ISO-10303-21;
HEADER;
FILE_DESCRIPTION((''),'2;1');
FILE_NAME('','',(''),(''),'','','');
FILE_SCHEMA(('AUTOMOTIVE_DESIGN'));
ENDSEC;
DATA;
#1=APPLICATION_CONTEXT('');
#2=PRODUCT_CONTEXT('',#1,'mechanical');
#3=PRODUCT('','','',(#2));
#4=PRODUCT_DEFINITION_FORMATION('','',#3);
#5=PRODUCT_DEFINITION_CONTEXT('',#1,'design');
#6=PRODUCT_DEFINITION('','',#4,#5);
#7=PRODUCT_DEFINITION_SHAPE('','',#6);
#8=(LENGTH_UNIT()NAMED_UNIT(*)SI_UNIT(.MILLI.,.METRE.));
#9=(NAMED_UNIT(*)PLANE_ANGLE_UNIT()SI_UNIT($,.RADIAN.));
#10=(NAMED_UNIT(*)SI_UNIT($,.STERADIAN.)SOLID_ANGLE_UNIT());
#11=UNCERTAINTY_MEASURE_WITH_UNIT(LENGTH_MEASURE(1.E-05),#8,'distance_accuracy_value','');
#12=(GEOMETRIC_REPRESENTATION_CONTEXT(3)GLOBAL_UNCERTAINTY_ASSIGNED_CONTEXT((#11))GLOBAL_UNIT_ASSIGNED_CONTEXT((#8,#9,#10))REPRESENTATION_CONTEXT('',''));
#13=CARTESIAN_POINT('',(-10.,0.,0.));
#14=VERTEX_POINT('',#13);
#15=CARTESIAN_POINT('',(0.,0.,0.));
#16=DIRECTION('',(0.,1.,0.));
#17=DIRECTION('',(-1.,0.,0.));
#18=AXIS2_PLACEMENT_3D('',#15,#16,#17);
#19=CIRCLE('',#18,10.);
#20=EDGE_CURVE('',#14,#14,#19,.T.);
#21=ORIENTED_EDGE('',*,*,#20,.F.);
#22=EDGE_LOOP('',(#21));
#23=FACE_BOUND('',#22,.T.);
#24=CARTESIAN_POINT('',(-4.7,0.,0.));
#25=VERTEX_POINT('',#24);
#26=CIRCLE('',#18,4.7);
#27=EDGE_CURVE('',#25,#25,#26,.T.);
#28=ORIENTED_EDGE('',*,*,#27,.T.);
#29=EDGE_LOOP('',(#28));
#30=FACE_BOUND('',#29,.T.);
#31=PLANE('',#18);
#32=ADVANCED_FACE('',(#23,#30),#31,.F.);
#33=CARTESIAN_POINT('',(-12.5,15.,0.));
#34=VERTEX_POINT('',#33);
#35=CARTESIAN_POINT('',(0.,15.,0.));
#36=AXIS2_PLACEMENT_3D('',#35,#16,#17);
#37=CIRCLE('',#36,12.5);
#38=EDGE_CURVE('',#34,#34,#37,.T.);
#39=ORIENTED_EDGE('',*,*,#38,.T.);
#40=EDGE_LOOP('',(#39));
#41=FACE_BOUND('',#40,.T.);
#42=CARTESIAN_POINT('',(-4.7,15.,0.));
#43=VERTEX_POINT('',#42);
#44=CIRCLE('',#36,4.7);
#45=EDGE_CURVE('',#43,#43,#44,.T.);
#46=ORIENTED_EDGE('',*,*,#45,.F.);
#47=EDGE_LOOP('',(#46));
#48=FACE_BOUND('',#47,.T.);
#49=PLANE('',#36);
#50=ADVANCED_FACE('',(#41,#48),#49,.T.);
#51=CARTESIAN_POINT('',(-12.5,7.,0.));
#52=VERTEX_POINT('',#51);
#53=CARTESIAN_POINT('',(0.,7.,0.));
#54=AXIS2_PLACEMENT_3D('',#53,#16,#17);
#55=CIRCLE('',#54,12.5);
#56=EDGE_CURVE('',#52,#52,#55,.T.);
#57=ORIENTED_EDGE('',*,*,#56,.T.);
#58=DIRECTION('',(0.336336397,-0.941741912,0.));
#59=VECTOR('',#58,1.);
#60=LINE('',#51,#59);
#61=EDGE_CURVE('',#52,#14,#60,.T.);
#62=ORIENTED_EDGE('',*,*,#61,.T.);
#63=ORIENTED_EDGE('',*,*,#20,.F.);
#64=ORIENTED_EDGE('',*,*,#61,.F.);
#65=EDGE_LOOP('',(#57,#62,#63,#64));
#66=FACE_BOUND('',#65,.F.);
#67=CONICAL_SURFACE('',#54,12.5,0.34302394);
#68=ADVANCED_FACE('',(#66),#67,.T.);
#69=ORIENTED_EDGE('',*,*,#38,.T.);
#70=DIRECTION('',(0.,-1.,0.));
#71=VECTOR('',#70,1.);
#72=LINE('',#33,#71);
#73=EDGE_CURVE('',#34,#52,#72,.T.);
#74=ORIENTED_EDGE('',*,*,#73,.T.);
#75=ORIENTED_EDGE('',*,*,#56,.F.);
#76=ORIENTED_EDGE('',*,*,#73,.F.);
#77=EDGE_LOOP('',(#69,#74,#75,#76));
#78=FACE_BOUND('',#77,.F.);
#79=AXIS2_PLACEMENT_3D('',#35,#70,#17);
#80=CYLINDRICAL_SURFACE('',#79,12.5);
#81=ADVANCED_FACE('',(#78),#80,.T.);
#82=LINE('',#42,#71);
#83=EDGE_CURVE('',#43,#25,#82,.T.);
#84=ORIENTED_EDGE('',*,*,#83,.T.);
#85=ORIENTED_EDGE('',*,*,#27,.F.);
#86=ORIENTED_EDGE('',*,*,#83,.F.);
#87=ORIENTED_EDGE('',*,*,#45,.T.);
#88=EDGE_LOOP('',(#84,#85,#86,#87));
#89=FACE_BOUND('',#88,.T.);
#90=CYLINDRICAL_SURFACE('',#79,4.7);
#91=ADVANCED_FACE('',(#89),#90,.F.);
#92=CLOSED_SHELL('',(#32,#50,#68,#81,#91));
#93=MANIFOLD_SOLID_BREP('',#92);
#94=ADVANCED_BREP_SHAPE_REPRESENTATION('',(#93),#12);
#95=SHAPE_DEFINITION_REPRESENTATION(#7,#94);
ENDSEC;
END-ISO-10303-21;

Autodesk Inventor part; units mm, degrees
ref_plane "YZ Plane" through (0, 0, 0) normal (1, 0, 0) x (0, 1, 0)
ref_plane "XZ Plane" through (0, 0, 0) normal (0, 1, 0) x (-1, 0, 0)
ref_plane "XY Plane" through (0, 0, 0) normal (0, 0, 1) x (1, 0, 0)
sketch "Sketch1" plane through (0, 0, 0) normal (0, 0, 1) x (1, 0, 0)
  line L0 (0, 0) -> (0, 7) construction
  line L1 (0, 7) -> (-20.6567, 7) construction
  line L2 (0, 7) -> (0, 15) construction
  line L3 (-12.5, 15) -> (-12.5, 7)
  line L4 (-12.5, 7) -> (-10, 0)
  line L5 (-12.5, 15) -> (-4.7, 15)
  line L6 (-4.7, 15) -> (-4.7, 0)
  line L7 (-4.7, 0) -> (-10, 0)
  dimension "d0" = 10
  dimension "d1" = 7
  dimension "d2" = 8
  dimension "d3" = 12.5
  dimension "d5" = 4.7
revolve "Revolution1" add sketch "Sketch1" angle 360 about axis through (0, 7, 0) along (0, 1, 0)
properties part number "BushingBottom" material "Rubber, Black"
